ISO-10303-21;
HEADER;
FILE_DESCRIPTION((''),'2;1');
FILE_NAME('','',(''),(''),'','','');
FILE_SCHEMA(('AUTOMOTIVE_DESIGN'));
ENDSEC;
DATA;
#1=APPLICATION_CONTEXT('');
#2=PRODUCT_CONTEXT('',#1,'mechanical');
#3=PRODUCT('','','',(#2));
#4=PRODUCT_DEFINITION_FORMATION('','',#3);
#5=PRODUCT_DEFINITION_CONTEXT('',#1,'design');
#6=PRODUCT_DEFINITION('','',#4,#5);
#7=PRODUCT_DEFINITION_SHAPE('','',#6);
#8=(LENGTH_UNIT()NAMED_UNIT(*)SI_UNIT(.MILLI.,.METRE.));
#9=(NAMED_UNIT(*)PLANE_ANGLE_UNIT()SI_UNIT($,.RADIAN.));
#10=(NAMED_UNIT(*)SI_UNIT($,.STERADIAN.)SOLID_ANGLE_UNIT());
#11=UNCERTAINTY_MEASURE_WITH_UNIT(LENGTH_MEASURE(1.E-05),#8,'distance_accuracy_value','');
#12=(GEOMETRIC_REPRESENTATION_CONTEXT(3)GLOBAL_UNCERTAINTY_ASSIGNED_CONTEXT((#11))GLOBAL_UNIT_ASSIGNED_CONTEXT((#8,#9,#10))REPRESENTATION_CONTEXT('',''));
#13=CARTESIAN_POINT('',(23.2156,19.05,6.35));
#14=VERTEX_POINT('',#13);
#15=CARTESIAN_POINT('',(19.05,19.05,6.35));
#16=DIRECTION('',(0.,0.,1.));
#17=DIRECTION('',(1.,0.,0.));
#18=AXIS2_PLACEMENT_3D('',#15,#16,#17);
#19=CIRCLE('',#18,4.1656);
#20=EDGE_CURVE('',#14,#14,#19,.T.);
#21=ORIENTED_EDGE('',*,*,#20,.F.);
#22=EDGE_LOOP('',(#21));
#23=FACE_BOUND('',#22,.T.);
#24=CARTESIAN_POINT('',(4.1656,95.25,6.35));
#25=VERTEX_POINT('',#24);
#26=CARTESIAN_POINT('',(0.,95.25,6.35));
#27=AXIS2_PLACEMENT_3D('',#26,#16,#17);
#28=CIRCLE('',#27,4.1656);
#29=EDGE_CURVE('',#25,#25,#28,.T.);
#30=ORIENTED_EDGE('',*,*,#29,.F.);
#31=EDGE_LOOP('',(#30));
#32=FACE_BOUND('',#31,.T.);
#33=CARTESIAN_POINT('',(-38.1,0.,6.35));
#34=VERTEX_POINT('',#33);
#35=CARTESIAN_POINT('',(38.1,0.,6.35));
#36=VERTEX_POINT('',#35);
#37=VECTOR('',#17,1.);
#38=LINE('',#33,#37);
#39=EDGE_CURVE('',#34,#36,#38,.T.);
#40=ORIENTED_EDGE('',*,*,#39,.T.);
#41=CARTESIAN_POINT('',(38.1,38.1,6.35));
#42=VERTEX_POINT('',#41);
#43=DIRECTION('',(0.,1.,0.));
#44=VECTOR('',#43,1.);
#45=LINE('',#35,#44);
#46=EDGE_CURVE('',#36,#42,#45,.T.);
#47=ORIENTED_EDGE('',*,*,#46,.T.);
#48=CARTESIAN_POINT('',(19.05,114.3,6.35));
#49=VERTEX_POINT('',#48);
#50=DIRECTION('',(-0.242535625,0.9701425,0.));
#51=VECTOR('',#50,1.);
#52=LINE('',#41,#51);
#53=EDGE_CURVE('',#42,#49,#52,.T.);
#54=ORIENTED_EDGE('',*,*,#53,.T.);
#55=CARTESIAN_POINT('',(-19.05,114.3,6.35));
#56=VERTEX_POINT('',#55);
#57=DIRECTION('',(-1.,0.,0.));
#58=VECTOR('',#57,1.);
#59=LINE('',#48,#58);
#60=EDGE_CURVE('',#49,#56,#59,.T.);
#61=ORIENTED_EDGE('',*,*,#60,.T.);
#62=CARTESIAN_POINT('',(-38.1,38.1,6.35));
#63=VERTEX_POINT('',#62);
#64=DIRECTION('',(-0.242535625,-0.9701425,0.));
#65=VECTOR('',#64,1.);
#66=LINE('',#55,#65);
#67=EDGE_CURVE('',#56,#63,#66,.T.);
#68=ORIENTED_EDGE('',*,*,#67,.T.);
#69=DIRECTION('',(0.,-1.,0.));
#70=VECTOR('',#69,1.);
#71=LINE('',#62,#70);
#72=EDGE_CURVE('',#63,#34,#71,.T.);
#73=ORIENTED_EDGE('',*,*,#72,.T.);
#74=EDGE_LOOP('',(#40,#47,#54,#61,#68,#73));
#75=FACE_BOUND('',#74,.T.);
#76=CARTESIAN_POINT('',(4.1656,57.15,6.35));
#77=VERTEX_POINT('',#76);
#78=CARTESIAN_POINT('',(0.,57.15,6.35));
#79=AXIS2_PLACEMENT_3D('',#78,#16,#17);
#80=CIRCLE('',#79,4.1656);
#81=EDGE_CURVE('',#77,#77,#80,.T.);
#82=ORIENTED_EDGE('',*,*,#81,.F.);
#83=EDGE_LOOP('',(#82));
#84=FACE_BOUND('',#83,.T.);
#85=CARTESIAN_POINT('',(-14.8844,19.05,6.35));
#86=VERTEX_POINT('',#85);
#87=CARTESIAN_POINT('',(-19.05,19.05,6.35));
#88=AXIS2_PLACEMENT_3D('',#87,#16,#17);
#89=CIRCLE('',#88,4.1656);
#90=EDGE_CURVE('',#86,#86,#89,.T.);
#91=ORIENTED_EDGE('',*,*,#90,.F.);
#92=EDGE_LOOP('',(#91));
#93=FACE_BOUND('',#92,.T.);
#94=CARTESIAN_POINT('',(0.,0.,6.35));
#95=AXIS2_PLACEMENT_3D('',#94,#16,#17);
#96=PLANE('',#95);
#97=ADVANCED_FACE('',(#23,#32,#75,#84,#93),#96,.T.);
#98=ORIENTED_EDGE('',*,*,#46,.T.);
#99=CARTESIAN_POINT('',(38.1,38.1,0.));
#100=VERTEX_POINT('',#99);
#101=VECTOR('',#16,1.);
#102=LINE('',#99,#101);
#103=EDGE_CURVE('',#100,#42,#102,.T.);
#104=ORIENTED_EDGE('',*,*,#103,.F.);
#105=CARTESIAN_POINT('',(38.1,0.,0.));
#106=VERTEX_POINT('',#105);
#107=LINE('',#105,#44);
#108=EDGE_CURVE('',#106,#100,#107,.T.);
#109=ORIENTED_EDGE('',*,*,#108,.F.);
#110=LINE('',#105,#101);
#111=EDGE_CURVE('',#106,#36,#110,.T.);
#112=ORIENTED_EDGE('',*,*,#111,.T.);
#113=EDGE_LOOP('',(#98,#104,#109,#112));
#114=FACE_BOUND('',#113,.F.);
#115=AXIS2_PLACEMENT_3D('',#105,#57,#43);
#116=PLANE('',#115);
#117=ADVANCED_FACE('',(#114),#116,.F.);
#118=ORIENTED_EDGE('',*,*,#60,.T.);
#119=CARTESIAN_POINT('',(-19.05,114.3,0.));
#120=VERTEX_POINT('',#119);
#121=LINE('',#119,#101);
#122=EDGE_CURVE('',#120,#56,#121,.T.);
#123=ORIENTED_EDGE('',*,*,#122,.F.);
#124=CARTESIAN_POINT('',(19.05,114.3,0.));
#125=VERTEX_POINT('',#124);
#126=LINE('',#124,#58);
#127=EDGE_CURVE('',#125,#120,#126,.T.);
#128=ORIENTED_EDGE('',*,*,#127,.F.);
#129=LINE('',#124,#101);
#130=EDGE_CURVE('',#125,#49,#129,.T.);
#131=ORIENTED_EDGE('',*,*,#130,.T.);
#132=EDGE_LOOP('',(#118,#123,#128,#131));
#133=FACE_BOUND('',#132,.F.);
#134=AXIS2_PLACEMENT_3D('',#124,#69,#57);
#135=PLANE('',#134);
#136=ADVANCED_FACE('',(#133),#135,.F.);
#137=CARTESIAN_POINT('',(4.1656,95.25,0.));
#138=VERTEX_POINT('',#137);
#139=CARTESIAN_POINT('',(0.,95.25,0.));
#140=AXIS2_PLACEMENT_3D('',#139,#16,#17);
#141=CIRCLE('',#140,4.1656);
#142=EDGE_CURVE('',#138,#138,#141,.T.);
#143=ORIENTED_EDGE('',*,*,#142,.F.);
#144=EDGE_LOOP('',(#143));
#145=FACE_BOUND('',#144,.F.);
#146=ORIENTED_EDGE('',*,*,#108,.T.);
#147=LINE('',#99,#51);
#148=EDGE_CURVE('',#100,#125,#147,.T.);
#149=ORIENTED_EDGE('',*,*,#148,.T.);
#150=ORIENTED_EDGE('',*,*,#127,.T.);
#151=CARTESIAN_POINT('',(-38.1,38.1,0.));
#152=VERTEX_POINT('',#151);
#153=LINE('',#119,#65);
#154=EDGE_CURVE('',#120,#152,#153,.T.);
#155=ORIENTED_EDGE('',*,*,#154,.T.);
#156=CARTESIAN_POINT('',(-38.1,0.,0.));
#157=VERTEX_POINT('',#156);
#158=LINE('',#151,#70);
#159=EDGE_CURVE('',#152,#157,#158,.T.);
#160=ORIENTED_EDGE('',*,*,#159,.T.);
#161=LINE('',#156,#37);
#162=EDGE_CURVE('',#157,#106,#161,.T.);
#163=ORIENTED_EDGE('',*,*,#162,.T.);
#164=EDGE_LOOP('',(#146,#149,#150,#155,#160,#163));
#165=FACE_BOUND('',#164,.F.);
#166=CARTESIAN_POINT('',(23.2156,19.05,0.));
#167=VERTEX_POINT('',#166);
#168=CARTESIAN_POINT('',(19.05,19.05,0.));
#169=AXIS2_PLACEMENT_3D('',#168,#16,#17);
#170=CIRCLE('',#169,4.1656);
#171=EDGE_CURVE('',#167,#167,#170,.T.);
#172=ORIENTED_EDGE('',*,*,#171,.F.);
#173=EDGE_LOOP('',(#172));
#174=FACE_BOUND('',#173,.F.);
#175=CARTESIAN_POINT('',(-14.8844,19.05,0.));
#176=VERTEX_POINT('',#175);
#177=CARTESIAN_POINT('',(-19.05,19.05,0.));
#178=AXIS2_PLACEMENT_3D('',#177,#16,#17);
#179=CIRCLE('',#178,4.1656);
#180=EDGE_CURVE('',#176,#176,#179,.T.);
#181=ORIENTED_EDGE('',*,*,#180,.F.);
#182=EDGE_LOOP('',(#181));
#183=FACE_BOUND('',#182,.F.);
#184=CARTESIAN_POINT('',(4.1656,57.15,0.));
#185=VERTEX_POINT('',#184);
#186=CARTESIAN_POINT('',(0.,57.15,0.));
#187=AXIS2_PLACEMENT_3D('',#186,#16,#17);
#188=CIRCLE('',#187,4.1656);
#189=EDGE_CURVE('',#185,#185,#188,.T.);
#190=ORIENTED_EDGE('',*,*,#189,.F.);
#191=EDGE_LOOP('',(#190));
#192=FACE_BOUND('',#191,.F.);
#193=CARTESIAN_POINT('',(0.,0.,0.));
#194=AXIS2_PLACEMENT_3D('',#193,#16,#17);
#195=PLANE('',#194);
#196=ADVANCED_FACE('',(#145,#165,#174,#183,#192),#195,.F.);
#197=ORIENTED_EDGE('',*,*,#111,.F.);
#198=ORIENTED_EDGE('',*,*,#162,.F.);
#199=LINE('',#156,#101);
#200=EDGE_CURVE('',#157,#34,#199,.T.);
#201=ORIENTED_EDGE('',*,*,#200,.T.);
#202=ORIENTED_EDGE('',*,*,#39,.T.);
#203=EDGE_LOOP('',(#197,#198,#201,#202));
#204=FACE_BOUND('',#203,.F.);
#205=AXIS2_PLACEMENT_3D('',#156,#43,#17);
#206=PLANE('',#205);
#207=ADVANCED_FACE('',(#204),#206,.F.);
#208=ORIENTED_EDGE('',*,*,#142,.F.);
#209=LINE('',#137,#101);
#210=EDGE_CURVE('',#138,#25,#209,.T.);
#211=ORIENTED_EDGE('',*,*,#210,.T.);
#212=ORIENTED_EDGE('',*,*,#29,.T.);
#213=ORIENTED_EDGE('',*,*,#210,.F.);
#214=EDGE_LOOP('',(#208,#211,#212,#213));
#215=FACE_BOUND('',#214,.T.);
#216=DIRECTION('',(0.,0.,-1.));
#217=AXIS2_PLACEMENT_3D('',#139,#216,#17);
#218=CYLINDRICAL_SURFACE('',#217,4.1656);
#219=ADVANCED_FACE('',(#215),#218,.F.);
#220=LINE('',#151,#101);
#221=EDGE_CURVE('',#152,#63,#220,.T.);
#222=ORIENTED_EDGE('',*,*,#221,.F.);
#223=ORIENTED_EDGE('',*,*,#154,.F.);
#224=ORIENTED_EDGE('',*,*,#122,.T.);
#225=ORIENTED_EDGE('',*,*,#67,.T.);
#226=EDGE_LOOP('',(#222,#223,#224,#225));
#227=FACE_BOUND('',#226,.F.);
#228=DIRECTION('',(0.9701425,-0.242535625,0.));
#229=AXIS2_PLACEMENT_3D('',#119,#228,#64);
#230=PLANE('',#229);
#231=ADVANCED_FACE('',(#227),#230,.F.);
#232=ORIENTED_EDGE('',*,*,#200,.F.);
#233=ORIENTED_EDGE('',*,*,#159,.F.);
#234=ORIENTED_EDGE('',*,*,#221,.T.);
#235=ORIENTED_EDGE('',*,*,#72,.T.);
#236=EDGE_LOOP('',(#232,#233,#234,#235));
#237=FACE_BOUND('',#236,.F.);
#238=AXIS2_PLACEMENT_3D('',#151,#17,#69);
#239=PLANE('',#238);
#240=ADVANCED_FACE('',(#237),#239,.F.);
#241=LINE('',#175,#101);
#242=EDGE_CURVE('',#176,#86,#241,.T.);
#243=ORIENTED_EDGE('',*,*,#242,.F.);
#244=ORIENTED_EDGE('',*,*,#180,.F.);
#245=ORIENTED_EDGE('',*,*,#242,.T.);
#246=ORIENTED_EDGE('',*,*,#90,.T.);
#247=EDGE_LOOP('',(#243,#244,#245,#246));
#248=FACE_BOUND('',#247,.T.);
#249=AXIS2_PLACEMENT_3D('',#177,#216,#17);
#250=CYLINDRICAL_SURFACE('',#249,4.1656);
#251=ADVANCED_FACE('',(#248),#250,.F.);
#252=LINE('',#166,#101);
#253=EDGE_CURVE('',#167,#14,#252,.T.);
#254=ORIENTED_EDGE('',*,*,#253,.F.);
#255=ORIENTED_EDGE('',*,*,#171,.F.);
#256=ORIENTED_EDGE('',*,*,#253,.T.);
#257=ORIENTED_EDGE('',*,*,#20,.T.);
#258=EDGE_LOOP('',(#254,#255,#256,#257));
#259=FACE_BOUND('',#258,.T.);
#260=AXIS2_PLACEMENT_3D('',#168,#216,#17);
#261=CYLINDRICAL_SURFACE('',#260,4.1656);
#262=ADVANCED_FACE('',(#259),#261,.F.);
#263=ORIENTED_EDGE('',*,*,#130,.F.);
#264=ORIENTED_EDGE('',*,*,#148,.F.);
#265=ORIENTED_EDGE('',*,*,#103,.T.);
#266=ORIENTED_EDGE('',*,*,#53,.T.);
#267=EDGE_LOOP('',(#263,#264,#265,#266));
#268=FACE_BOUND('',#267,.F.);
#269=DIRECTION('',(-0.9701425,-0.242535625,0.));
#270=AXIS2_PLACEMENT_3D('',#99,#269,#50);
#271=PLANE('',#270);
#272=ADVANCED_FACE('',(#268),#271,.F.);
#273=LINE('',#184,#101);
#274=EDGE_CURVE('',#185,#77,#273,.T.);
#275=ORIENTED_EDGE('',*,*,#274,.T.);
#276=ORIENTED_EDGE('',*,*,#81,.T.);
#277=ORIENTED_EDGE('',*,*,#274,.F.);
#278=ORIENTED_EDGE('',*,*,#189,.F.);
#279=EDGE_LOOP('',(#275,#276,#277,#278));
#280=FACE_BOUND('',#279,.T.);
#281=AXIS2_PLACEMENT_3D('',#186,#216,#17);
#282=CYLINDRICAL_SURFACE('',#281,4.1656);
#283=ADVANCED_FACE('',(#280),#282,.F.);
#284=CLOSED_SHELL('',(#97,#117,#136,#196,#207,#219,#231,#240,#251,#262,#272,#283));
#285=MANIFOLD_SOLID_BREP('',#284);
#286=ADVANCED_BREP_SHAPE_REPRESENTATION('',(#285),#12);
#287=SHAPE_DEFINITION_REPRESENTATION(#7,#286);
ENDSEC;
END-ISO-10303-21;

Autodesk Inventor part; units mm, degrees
ref_plane "YZ Plane" through (0, 0, 0) normal (1, 0, 0) x (0, 1, 0)
ref_plane "XZ Plane" through (0, 0, 0) normal (0, 1, 0) x (-1, 0, 0)
ref_plane "XY Plane" through (0, 0, 0) normal (0, 0, 1) x (1, 0, 0)
sketch "Sketch_1" plane through (0, 0, 0) normal (0, 0, 1) x (1, 0, 0)
  line L0 (-38.1, 38.1) -> (-38.1, 0)
  line L1 (-38.1, 0) -> (38.1, 0)
  line L2 (38.1, 0) -> (38.1, 38.1)
  line L3 (38.1, 38.1) -> (19.05, 114.3)
  line L4 (19.05, 114.3) -> (-19.05, 114.3)
  line L5 (-19.05, 114.3) -> (-38.1, 38.1)
  circle A0 centre (19.05, 19.05) radius 4.1656
  circle A1 centre (0, 57.15) radius 4.1656
  circle A2 centre (0, 95.25) radius 4.1656
  circle A3 centre (-19.05, 19.05) radius 4.1656
extrude "Extrusion1" add sketch "Sketch_1" along normal blind 6.35
properties part number "4341"
